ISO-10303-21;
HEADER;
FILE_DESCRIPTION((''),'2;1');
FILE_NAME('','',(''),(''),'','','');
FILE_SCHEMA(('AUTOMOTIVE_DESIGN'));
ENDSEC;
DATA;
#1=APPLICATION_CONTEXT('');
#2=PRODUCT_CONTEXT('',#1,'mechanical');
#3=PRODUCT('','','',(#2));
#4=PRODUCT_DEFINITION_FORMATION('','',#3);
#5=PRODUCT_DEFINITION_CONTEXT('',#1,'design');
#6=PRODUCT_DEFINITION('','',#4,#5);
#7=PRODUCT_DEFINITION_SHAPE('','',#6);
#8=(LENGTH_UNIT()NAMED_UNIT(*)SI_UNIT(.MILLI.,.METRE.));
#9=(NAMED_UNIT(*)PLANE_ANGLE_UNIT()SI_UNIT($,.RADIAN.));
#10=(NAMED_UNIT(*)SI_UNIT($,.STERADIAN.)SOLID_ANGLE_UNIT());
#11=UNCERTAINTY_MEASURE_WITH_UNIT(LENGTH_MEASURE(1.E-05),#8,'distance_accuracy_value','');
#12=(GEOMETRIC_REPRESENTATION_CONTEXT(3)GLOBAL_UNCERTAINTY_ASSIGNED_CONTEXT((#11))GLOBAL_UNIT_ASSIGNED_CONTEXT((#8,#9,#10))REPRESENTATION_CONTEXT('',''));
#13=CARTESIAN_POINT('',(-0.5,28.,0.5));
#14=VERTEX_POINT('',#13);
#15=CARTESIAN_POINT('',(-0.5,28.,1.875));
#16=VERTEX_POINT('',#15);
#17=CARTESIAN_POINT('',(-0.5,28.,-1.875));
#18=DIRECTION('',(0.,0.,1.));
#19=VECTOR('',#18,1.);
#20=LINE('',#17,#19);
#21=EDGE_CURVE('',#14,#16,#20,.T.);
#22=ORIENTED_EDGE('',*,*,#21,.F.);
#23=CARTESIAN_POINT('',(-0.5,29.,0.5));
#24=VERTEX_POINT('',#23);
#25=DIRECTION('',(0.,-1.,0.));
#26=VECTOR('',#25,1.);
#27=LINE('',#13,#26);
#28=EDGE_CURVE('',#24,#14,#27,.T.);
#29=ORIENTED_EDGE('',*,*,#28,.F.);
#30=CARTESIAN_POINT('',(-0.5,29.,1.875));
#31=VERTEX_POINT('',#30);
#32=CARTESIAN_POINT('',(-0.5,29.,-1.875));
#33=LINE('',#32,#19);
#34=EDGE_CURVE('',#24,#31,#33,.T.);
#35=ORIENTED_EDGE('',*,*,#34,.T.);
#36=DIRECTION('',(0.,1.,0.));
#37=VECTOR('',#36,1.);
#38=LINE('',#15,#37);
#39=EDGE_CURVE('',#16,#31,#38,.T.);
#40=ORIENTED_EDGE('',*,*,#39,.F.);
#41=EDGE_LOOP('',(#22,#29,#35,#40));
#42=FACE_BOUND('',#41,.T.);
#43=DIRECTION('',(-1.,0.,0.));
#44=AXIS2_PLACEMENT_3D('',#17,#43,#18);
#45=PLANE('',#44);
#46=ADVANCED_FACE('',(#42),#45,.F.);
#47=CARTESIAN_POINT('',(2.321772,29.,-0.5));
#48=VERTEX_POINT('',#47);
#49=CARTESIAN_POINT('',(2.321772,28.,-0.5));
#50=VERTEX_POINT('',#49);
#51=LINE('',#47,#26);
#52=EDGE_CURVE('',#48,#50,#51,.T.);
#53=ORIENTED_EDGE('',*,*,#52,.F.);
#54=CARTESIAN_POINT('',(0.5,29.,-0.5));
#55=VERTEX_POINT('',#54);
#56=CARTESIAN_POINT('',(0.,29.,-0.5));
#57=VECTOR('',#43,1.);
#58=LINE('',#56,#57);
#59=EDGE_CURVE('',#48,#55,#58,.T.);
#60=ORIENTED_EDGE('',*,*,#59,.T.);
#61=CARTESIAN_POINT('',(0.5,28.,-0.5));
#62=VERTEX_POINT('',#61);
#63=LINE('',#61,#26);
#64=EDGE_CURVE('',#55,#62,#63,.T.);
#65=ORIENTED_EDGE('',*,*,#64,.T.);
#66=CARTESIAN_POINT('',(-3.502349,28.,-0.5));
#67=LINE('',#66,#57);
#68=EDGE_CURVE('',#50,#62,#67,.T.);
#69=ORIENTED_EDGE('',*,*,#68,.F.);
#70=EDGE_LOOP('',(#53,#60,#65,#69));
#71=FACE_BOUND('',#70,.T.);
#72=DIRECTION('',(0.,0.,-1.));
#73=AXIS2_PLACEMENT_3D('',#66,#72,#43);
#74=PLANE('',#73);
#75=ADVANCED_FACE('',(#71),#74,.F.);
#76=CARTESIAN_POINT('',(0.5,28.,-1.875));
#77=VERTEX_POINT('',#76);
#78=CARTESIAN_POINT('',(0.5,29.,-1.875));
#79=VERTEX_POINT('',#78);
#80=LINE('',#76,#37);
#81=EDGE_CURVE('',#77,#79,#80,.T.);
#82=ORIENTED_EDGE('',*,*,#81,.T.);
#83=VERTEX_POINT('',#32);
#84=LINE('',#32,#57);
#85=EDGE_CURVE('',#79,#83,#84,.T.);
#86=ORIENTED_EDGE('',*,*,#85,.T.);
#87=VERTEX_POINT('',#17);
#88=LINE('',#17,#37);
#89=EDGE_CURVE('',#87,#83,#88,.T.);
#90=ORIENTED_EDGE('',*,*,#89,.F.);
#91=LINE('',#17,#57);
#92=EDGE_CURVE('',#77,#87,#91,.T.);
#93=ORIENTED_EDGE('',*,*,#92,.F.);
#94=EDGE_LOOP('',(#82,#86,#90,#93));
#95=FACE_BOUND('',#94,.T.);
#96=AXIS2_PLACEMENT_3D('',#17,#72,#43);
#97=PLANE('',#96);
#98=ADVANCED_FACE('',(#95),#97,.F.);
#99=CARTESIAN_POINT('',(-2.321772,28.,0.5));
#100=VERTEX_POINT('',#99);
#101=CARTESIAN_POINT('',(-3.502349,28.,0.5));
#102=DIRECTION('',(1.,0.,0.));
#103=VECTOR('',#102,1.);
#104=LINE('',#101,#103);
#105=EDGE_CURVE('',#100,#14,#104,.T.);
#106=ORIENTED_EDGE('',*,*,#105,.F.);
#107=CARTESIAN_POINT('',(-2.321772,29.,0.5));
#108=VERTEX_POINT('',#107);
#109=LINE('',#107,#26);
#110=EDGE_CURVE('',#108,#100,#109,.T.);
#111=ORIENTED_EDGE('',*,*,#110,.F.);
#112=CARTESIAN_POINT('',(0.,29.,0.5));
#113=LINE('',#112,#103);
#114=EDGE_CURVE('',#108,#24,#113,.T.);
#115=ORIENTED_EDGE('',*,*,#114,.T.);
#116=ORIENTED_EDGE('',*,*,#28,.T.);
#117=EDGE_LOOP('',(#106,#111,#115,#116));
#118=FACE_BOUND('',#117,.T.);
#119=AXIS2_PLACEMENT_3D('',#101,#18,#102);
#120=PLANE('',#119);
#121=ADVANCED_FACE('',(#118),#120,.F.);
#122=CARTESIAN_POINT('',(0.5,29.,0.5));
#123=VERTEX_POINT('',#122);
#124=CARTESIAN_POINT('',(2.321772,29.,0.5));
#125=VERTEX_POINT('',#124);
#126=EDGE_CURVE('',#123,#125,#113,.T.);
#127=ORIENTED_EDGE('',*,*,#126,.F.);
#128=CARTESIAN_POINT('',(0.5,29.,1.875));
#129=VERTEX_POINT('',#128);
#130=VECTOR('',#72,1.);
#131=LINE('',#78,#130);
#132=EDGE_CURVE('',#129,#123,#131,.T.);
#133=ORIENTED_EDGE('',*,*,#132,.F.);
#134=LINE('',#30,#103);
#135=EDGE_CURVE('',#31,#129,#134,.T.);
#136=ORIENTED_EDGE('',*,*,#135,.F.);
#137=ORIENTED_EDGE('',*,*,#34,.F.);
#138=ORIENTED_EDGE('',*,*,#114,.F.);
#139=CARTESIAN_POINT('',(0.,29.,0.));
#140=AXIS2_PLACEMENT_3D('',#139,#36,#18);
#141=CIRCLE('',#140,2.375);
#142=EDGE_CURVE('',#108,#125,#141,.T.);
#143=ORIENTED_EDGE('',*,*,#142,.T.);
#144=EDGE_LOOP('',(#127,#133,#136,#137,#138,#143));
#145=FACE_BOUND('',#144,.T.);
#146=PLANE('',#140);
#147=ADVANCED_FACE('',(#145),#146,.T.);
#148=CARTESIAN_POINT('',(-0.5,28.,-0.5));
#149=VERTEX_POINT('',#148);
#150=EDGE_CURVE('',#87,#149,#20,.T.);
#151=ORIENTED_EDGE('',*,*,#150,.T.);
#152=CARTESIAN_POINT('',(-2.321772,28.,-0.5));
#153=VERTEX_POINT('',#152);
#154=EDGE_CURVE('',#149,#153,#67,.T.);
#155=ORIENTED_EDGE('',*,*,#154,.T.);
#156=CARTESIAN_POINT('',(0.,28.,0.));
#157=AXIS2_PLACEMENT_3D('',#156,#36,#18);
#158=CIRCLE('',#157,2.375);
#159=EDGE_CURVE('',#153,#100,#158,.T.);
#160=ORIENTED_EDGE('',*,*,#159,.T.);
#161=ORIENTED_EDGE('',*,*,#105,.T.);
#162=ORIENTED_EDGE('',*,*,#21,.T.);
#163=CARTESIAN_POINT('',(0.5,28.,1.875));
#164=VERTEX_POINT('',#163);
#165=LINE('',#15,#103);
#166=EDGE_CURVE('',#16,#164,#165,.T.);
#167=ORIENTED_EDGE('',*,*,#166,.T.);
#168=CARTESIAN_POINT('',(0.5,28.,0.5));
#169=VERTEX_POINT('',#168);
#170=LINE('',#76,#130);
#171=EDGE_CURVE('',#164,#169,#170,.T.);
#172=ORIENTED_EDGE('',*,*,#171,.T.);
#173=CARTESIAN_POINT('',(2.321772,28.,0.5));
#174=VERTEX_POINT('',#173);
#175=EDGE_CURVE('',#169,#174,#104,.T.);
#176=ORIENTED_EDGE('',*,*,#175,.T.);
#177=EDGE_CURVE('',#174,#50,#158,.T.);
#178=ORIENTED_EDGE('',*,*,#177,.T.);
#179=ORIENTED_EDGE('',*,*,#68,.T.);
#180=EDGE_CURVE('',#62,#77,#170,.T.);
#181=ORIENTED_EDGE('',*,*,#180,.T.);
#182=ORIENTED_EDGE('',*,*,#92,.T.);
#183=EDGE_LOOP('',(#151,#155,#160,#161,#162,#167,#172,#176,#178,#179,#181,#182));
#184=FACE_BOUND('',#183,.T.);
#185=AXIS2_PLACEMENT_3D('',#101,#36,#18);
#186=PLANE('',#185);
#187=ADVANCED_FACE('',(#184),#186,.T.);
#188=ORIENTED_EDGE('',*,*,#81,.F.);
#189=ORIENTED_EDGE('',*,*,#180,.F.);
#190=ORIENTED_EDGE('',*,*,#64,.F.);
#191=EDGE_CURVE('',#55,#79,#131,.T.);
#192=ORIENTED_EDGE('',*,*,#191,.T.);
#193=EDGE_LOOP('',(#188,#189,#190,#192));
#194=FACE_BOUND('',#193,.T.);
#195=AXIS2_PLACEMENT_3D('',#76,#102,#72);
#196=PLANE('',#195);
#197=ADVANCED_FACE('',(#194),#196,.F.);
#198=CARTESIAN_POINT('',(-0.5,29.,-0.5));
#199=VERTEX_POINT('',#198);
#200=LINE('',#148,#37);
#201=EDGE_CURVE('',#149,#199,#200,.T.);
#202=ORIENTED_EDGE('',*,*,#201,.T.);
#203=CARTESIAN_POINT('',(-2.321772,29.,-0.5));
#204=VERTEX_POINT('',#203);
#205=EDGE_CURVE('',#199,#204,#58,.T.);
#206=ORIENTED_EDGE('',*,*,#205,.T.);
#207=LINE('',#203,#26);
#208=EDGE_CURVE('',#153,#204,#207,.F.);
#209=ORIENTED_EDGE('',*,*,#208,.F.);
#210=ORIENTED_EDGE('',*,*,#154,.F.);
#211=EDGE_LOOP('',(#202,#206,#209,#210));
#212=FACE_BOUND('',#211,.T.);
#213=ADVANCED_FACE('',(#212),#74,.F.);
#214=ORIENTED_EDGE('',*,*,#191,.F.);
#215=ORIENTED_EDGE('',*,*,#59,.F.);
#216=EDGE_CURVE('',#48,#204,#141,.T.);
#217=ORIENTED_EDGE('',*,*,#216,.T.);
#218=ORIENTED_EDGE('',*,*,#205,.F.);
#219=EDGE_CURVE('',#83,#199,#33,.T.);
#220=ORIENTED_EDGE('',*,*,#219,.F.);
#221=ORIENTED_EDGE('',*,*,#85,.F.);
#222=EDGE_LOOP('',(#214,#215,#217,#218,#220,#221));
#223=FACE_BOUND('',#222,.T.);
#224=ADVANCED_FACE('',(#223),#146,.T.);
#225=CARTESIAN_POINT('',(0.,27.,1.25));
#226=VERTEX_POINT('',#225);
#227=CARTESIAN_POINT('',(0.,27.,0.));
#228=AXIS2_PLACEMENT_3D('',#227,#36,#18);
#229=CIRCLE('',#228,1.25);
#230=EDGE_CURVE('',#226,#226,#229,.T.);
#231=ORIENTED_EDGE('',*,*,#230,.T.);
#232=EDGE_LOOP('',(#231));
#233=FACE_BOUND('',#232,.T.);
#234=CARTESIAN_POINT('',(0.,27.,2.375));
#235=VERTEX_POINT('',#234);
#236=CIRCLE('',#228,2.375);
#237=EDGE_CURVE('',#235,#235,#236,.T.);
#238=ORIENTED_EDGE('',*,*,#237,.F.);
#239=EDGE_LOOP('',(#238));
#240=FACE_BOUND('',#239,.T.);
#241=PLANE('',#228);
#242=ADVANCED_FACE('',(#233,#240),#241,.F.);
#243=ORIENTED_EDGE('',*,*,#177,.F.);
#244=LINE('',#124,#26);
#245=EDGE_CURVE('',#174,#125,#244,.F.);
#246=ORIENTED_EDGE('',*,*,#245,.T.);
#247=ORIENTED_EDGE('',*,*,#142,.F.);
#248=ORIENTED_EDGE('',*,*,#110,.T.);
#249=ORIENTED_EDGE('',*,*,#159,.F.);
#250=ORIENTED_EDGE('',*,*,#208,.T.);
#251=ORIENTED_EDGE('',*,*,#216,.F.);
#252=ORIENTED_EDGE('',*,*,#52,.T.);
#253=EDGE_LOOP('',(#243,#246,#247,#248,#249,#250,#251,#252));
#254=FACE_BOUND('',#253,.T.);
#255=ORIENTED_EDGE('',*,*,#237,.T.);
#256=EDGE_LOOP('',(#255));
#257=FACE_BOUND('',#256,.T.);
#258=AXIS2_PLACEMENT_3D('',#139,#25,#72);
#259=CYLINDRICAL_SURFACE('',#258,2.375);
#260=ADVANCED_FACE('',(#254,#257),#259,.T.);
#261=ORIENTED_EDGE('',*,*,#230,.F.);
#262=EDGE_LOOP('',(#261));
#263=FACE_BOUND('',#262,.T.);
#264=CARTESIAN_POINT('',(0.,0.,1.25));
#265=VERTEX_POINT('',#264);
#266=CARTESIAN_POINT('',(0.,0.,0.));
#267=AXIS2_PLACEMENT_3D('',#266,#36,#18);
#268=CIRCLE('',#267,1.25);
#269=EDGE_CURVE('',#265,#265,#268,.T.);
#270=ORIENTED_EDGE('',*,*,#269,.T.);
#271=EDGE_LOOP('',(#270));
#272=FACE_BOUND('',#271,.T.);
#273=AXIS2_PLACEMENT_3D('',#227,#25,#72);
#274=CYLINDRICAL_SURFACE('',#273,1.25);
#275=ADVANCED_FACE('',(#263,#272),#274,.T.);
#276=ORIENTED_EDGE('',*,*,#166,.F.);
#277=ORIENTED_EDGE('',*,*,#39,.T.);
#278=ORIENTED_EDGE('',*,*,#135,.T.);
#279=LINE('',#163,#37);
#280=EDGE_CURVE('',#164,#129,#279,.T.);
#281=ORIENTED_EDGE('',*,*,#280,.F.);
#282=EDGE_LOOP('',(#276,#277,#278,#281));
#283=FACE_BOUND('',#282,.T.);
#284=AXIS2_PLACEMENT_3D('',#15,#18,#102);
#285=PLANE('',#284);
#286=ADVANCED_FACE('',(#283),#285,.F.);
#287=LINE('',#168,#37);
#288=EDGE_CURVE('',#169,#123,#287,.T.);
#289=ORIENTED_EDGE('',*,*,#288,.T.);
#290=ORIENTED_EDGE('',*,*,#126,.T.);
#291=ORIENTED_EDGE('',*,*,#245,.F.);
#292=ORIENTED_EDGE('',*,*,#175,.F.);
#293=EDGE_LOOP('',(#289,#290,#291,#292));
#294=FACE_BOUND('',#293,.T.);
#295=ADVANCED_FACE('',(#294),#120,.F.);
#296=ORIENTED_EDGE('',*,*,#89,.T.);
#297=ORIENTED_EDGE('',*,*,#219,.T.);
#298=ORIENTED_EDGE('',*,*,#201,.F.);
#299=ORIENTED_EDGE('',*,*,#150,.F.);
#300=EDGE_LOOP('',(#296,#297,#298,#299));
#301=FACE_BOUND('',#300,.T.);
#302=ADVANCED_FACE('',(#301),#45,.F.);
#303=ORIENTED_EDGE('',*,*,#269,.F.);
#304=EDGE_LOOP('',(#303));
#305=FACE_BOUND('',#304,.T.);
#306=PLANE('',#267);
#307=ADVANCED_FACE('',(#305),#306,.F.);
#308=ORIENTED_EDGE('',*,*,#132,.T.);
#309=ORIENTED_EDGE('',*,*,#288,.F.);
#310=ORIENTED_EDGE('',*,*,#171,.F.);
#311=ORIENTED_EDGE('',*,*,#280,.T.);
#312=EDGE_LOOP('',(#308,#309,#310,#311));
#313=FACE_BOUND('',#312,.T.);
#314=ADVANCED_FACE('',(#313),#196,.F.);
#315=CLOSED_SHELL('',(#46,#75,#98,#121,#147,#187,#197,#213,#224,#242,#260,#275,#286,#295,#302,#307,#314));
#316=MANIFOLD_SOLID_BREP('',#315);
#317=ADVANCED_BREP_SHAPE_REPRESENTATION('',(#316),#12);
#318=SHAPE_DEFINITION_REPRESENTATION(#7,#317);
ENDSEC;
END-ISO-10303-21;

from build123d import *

# Parameters (mm, degrees)
SKETCH_1_R          = 1.25
EXTRUDE_1_DEPTH     = 27
SKETCH_2_R          = 2.375
EXTRUDE_2_DEPTH     = 2
SKETCH_3_W          = 7.004697232
SKETCH_3_H          = 1
CUT_EXTRUDE_1_DEPTH = 1
SKETCH_4_W          = 1
SKETCH_4_H          = 3.75
CUT_EXTRUDE_2_DEPTH = 1


with BuildPart() as part:
    # 草图1 → 拉伸1 (new body)
    with BuildSketch(Plane(origin=(0, 0, 0), x_dir=(1, 0, 0), z_dir=(0, 1, 0))):
        with Locations(Location((0, 0, 0), (0, 0, 270))):
            Circle(SKETCH_1_R)
    extrude(amount=EXTRUDE_1_DEPTH)

    # 草图2 → 拉伸2 (add)
    with BuildSketch(Plane(origin=(0, 27, 0), x_dir=(-1, 0, 0), z_dir=(0, 1, 0))):
        with Locations(Location((0, 0, 0), (0, 0, 90))):
            Circle(SKETCH_2_R)
    extrude(amount=EXTRUDE_2_DEPTH)

    # 草图3 → 切除-拉伸1 (cut)
    with BuildSketch(Plane(origin=(0, 29, 0), x_dir=(-1, 0, 0), z_dir=(0, 1, 0))):
        Rectangle(SKETCH_3_W, SKETCH_3_H)
    extrude(amount=-CUT_EXTRUDE_1_DEPTH, mode=Mode.SUBTRACT)

    # 草图4 → 切除-拉伸2 (cut)
    with BuildSketch(Plane(origin=(0, 29, 0), x_dir=(-1, 0, 0), z_dir=(0, 1, 0))):
        Rectangle(SKETCH_4_W, SKETCH_4_H)
    extrude(amount=-CUT_EXTRUDE_2_DEPTH, mode=Mode.SUBTRACT)


solid = part.part
